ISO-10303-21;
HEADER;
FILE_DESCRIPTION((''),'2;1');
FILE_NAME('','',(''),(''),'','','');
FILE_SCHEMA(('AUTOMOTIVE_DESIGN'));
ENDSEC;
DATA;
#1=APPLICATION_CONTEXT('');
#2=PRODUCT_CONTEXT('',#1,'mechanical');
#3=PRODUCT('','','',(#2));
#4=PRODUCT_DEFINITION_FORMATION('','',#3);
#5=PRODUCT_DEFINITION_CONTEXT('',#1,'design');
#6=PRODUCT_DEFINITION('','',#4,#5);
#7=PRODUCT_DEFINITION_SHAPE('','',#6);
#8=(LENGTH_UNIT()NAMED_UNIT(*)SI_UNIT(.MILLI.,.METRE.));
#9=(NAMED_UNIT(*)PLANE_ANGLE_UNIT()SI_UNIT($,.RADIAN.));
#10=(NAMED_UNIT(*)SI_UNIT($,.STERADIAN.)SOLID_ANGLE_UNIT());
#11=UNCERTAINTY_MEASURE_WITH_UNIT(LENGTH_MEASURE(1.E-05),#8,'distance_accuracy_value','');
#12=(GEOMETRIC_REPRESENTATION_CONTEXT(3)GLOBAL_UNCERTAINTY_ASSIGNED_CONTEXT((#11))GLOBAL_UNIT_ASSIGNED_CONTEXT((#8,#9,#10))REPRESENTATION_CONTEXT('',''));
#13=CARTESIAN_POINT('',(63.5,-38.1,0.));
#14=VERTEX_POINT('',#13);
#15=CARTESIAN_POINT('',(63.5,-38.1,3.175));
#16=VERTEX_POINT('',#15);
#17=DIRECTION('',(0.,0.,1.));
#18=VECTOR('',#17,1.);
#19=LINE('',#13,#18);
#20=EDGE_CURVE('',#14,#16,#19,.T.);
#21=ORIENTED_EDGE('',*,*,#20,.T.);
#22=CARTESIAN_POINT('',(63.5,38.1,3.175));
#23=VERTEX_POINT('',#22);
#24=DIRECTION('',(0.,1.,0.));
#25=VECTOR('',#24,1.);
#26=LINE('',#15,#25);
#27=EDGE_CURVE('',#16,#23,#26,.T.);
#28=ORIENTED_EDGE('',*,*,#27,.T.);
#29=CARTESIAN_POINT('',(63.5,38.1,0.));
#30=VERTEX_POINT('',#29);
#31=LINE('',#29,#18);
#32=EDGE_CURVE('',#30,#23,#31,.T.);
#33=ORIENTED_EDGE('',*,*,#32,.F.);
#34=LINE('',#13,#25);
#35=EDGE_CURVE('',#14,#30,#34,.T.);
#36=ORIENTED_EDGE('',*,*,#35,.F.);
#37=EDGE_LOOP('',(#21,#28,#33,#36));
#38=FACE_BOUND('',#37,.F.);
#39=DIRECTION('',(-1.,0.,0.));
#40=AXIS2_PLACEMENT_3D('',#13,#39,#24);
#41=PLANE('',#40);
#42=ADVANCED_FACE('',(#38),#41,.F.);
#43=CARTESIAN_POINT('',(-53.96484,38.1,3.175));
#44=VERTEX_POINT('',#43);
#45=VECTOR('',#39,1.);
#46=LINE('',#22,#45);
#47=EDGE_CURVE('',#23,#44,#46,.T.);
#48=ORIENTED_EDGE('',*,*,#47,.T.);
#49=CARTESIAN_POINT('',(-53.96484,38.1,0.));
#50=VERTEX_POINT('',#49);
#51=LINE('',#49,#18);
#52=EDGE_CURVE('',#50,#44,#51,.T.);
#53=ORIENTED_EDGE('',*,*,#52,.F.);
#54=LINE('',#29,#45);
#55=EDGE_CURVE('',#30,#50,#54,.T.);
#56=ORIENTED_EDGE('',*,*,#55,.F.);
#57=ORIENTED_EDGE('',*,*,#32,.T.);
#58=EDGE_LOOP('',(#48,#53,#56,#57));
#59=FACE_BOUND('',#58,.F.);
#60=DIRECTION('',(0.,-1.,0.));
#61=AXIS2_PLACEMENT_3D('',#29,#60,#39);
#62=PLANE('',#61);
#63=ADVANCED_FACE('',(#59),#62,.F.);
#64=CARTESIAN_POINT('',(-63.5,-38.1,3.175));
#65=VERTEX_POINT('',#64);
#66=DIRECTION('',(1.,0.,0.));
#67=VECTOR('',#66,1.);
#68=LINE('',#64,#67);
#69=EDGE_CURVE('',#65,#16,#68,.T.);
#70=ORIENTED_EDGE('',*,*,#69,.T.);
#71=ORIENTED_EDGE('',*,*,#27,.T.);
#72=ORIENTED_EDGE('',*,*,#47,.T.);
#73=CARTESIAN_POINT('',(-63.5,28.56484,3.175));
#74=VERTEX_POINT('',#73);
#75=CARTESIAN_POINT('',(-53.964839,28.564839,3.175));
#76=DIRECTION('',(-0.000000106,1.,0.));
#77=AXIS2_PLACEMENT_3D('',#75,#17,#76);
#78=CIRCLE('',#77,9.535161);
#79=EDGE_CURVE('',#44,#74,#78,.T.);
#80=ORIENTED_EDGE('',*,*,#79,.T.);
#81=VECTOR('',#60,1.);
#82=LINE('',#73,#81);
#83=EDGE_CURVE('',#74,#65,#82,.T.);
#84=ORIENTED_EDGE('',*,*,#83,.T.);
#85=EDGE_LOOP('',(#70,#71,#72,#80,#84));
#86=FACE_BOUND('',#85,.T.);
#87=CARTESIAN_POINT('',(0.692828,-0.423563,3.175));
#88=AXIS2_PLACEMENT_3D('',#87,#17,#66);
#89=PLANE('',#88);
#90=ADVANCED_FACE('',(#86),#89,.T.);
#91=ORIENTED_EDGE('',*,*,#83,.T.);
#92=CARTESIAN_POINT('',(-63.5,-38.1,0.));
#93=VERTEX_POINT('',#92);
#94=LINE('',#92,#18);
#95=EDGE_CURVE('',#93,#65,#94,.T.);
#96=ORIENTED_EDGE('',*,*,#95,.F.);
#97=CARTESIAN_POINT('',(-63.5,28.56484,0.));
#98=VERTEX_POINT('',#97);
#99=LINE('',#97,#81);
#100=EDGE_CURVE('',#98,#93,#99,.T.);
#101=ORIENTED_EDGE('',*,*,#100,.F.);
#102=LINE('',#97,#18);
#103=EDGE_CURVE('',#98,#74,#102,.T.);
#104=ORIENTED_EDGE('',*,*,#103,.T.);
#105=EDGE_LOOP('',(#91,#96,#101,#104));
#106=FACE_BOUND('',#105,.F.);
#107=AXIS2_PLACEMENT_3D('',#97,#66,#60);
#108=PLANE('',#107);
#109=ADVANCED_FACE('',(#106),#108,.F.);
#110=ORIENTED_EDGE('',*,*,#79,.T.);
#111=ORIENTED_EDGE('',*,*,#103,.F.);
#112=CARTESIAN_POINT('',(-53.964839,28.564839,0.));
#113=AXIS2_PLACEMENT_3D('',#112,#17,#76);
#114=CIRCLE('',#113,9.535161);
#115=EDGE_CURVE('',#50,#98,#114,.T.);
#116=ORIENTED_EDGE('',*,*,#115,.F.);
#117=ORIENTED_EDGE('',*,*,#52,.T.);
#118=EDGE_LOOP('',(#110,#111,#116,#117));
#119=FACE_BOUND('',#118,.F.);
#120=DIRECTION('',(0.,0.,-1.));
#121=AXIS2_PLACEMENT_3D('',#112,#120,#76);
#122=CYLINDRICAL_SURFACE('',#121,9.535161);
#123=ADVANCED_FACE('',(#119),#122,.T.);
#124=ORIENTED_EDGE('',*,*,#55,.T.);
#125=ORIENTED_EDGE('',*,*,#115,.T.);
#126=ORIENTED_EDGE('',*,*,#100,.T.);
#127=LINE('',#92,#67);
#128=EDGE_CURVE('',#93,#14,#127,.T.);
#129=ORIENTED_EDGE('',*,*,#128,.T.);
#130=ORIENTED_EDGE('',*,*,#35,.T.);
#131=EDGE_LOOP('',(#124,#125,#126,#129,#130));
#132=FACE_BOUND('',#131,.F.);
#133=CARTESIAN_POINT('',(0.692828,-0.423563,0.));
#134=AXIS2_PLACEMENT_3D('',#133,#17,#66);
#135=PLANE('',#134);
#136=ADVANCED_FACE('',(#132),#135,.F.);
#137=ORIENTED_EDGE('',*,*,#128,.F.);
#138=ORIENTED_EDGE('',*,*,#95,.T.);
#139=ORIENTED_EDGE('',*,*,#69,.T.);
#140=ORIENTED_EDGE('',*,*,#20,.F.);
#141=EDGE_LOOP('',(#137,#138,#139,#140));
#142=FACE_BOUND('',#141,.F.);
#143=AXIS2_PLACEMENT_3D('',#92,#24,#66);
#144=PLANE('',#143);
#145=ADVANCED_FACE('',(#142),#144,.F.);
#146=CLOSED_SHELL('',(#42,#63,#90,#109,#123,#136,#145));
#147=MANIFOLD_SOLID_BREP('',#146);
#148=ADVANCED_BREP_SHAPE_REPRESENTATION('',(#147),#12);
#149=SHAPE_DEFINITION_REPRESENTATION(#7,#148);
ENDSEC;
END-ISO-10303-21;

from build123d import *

# Parameters (mm, degrees)
F1_DEPTH = 3.175


with BuildPart() as f1:
    # F0 (on Top) → F1 (new body)
    with BuildSketch(Plane.XY):
        with BuildLine():
            Line((63.5, 38.1), (-53.96484, 38.1))
            ThreePointArc((-53.96484, 38.1), (-60.707216, 35.307216), (-63.5, 28.56484))
            Line((-63.5, 28.56484), (-63.5, -38.1))
            Line((-63.5, -38.1), (63.5, -38.1))
            Line((63.5, -38.1), (63.5, 38.1))
        make_face()
    extrude(amount=F1_DEPTH)


solid = f1.part
